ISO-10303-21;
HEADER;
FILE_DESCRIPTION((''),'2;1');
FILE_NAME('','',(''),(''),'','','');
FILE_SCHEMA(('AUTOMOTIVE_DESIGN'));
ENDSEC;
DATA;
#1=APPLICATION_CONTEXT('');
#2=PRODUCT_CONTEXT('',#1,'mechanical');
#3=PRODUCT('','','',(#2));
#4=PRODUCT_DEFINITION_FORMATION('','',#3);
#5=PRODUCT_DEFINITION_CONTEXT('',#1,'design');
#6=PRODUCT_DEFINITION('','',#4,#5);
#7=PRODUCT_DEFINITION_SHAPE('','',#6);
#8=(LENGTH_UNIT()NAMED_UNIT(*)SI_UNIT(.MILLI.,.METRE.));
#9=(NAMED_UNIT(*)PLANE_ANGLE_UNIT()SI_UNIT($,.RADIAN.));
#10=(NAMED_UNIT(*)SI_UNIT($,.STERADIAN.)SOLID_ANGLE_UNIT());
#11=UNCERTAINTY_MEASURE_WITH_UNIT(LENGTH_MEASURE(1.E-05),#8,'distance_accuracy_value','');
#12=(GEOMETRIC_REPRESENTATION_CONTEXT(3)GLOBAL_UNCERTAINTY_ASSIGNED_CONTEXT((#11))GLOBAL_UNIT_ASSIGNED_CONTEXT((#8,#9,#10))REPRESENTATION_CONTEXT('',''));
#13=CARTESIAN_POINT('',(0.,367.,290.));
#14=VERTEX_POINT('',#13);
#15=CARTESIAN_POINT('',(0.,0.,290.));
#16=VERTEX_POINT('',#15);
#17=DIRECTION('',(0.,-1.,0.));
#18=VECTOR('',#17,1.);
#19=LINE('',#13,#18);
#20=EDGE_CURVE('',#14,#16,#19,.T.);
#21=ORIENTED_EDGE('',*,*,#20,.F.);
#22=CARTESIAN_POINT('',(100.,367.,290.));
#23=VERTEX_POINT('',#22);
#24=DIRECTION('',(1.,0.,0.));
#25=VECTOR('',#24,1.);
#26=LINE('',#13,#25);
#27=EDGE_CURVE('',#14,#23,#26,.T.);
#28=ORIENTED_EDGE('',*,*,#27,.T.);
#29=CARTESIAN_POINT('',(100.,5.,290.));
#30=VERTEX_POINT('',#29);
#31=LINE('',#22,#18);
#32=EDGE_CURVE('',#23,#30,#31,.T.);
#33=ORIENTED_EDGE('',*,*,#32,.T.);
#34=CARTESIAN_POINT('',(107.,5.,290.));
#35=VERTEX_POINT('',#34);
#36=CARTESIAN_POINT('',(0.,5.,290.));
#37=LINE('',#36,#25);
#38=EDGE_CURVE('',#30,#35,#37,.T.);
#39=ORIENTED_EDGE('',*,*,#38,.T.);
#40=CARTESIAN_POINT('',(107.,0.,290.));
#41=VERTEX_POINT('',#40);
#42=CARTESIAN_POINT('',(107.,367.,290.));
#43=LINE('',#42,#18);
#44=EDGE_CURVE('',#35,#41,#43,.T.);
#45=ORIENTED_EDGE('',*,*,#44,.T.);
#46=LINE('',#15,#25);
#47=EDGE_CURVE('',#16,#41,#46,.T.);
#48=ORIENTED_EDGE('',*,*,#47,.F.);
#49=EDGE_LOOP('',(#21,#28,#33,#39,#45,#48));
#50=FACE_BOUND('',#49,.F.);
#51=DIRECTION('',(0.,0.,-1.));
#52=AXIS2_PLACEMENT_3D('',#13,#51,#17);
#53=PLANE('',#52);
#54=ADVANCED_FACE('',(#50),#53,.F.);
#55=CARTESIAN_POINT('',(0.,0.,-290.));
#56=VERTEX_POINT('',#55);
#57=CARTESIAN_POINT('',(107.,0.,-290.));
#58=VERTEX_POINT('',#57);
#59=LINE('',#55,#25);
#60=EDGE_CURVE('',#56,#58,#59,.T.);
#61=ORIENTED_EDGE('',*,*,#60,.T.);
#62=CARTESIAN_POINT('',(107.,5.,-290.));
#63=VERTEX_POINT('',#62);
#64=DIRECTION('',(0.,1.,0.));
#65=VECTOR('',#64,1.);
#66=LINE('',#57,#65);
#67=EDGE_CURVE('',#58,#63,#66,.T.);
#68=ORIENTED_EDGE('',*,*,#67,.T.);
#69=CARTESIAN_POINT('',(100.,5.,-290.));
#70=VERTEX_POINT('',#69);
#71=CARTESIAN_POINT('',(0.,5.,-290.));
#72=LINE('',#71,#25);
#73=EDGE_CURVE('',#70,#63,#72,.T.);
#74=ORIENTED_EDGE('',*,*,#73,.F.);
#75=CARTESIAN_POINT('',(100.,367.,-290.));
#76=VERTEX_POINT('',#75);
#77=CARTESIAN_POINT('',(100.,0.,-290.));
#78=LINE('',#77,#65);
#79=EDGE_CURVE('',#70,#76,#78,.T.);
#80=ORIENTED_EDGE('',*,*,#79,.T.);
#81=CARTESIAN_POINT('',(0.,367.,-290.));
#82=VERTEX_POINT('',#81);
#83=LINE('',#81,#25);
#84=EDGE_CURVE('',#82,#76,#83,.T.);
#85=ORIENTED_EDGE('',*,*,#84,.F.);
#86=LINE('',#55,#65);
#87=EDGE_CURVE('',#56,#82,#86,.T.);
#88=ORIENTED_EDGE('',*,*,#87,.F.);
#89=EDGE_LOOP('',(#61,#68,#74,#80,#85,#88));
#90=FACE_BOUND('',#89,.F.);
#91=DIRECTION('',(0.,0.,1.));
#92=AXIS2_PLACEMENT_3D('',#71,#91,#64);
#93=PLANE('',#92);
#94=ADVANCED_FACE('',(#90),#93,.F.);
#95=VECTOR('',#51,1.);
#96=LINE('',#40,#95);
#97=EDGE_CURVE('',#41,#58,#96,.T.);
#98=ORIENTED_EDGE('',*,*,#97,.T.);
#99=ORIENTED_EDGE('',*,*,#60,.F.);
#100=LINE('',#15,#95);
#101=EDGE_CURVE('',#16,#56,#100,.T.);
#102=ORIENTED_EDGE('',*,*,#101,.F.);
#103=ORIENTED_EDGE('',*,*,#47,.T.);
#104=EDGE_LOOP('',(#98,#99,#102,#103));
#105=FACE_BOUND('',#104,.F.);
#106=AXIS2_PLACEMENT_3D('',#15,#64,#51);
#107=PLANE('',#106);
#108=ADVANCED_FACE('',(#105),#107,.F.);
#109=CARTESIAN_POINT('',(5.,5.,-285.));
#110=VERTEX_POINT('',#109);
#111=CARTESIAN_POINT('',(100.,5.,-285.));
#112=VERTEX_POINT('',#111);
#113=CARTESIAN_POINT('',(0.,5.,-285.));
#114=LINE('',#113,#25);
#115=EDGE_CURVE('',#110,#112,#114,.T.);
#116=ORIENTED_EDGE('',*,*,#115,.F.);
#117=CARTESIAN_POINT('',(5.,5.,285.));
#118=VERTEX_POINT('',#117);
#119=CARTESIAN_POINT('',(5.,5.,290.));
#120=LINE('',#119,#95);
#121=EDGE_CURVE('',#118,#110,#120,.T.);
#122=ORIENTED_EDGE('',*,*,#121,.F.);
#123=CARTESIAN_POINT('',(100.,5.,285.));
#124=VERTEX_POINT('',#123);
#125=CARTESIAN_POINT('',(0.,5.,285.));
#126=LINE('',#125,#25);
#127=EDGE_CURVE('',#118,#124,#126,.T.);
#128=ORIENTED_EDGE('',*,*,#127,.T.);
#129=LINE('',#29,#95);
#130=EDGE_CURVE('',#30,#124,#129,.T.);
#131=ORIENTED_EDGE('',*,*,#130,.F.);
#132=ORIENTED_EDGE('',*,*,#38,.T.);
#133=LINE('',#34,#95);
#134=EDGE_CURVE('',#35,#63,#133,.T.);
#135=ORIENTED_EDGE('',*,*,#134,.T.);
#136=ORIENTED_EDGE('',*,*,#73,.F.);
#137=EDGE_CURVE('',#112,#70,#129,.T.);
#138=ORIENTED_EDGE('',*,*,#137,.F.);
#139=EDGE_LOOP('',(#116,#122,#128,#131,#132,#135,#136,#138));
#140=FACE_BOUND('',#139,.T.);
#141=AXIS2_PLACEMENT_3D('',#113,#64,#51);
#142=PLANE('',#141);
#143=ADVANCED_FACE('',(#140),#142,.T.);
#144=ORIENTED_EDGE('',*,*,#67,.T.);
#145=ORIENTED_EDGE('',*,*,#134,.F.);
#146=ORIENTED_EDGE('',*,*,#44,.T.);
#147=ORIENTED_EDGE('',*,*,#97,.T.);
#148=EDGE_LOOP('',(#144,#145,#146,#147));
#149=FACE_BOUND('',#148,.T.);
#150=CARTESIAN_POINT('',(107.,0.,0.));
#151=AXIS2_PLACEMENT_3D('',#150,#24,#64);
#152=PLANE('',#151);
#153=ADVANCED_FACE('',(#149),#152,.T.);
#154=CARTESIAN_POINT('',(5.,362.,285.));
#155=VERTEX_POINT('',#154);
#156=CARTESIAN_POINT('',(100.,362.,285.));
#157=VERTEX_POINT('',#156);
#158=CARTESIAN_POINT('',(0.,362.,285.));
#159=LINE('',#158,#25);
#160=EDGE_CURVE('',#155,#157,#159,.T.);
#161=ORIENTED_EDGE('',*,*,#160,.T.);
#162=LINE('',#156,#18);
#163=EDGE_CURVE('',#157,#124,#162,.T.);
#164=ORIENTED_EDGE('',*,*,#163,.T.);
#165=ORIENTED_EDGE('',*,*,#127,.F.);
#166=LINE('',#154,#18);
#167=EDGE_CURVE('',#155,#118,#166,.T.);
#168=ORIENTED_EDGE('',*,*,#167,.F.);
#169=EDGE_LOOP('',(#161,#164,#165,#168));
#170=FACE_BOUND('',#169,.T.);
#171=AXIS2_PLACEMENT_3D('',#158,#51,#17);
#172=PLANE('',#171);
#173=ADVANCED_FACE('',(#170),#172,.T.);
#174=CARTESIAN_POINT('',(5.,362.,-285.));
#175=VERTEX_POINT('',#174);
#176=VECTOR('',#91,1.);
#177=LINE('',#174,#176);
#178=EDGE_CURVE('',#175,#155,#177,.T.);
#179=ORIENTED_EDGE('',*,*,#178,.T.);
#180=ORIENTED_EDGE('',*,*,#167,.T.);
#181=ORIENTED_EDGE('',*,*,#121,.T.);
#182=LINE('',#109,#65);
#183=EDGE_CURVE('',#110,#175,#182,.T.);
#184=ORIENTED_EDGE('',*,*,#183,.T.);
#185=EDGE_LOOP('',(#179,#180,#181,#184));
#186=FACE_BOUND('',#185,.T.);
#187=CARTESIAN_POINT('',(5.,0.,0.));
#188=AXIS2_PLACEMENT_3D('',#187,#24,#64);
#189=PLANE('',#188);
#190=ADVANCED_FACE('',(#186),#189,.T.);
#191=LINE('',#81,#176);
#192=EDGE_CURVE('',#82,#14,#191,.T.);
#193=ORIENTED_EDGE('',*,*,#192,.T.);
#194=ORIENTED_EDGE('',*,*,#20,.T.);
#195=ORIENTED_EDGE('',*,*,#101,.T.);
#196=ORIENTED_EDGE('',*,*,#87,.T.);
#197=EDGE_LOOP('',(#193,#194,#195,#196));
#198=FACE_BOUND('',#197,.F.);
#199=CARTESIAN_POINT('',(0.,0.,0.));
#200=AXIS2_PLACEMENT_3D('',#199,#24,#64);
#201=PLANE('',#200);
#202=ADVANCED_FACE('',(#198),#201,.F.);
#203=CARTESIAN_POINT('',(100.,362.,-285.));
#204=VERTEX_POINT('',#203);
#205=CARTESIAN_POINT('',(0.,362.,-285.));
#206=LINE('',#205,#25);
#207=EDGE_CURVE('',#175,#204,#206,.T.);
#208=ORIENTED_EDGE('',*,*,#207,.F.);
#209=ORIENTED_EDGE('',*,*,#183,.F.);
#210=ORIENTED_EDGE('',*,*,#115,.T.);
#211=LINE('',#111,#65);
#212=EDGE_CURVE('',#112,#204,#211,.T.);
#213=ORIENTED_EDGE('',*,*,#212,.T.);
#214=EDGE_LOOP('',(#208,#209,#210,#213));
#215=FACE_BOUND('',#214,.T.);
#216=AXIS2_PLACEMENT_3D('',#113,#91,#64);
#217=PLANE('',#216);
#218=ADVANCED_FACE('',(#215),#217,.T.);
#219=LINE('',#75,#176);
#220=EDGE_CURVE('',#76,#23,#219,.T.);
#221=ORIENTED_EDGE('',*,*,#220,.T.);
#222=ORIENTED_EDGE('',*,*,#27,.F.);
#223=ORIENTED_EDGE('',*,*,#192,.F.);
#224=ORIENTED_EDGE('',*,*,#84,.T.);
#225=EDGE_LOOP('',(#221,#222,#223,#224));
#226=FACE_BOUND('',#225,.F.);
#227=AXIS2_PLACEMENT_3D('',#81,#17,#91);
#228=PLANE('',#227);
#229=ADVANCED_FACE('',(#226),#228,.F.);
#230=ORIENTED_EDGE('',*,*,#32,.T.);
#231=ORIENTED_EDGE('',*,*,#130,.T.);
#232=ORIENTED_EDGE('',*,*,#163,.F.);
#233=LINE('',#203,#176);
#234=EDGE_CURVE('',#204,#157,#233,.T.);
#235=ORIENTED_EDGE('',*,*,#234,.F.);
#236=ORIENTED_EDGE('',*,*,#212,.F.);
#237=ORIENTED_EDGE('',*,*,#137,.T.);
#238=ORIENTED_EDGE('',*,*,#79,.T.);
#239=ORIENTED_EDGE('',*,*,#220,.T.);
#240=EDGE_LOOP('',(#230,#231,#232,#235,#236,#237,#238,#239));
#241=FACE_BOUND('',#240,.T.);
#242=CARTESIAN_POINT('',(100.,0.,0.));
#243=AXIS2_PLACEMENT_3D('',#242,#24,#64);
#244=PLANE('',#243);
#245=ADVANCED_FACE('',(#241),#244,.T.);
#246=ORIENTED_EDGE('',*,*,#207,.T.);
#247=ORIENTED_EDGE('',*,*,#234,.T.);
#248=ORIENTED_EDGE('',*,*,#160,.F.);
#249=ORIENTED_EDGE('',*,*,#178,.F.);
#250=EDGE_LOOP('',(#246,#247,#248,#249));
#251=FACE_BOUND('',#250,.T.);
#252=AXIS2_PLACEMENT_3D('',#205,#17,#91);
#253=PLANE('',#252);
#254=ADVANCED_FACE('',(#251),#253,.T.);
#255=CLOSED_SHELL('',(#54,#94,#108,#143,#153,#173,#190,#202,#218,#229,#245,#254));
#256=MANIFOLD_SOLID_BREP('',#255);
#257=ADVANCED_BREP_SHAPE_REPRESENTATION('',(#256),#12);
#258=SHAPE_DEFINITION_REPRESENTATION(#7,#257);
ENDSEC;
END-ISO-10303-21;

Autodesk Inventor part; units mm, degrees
ref_plane "YZ Plane" through (0, 0, 0) normal (1, 0, 0) x (0, 1, 0)
ref_plane "XZ Plane" through (0, 0, 0) normal (0, 1, 0) x (-1, 0, 0)
ref_plane "XY Plane" through (0, 0, 0) normal (0, 0, 1) x (1, 0, 0)
sketch "스케치1" plane through (0, 0, 0) normal (1, 0, 0) x (0, 1, 0)
  line L0 (367, 290) -> (0, 290)
  line L1 (0, 290) -> (0, -290)
  line L2 (0, -290) -> (367, -290)
  line L3 (367, -290) -> (367, 290)
  line L4 (362, 285) -> (5, 285)
  line L5 (5, 290) -> (5, -290)
  line L6 (5, -285) -> (362, -285)
  line L7 (362, -285) -> (362, 285)
  point P0 (0, 0)
  point P1 (0, 0)
  dimension "d0" = 367
  dimension "d1" = 580
  dimension "d2" = 5
extrude "돌출1" add sketch "스케치1" along normal blind 100 contours L3 L2 L5 L6 L7 L4 L0
extrude "돌출2" add sketch "스케치1" along normal blind 107 contours L5 L2 L1 L0
extrude "돌출3" add sketch "스케치1" along normal blind 5 contours L4 L7 L6 L5
properties part number "monitor_case" material "ABS 플라스틱"
